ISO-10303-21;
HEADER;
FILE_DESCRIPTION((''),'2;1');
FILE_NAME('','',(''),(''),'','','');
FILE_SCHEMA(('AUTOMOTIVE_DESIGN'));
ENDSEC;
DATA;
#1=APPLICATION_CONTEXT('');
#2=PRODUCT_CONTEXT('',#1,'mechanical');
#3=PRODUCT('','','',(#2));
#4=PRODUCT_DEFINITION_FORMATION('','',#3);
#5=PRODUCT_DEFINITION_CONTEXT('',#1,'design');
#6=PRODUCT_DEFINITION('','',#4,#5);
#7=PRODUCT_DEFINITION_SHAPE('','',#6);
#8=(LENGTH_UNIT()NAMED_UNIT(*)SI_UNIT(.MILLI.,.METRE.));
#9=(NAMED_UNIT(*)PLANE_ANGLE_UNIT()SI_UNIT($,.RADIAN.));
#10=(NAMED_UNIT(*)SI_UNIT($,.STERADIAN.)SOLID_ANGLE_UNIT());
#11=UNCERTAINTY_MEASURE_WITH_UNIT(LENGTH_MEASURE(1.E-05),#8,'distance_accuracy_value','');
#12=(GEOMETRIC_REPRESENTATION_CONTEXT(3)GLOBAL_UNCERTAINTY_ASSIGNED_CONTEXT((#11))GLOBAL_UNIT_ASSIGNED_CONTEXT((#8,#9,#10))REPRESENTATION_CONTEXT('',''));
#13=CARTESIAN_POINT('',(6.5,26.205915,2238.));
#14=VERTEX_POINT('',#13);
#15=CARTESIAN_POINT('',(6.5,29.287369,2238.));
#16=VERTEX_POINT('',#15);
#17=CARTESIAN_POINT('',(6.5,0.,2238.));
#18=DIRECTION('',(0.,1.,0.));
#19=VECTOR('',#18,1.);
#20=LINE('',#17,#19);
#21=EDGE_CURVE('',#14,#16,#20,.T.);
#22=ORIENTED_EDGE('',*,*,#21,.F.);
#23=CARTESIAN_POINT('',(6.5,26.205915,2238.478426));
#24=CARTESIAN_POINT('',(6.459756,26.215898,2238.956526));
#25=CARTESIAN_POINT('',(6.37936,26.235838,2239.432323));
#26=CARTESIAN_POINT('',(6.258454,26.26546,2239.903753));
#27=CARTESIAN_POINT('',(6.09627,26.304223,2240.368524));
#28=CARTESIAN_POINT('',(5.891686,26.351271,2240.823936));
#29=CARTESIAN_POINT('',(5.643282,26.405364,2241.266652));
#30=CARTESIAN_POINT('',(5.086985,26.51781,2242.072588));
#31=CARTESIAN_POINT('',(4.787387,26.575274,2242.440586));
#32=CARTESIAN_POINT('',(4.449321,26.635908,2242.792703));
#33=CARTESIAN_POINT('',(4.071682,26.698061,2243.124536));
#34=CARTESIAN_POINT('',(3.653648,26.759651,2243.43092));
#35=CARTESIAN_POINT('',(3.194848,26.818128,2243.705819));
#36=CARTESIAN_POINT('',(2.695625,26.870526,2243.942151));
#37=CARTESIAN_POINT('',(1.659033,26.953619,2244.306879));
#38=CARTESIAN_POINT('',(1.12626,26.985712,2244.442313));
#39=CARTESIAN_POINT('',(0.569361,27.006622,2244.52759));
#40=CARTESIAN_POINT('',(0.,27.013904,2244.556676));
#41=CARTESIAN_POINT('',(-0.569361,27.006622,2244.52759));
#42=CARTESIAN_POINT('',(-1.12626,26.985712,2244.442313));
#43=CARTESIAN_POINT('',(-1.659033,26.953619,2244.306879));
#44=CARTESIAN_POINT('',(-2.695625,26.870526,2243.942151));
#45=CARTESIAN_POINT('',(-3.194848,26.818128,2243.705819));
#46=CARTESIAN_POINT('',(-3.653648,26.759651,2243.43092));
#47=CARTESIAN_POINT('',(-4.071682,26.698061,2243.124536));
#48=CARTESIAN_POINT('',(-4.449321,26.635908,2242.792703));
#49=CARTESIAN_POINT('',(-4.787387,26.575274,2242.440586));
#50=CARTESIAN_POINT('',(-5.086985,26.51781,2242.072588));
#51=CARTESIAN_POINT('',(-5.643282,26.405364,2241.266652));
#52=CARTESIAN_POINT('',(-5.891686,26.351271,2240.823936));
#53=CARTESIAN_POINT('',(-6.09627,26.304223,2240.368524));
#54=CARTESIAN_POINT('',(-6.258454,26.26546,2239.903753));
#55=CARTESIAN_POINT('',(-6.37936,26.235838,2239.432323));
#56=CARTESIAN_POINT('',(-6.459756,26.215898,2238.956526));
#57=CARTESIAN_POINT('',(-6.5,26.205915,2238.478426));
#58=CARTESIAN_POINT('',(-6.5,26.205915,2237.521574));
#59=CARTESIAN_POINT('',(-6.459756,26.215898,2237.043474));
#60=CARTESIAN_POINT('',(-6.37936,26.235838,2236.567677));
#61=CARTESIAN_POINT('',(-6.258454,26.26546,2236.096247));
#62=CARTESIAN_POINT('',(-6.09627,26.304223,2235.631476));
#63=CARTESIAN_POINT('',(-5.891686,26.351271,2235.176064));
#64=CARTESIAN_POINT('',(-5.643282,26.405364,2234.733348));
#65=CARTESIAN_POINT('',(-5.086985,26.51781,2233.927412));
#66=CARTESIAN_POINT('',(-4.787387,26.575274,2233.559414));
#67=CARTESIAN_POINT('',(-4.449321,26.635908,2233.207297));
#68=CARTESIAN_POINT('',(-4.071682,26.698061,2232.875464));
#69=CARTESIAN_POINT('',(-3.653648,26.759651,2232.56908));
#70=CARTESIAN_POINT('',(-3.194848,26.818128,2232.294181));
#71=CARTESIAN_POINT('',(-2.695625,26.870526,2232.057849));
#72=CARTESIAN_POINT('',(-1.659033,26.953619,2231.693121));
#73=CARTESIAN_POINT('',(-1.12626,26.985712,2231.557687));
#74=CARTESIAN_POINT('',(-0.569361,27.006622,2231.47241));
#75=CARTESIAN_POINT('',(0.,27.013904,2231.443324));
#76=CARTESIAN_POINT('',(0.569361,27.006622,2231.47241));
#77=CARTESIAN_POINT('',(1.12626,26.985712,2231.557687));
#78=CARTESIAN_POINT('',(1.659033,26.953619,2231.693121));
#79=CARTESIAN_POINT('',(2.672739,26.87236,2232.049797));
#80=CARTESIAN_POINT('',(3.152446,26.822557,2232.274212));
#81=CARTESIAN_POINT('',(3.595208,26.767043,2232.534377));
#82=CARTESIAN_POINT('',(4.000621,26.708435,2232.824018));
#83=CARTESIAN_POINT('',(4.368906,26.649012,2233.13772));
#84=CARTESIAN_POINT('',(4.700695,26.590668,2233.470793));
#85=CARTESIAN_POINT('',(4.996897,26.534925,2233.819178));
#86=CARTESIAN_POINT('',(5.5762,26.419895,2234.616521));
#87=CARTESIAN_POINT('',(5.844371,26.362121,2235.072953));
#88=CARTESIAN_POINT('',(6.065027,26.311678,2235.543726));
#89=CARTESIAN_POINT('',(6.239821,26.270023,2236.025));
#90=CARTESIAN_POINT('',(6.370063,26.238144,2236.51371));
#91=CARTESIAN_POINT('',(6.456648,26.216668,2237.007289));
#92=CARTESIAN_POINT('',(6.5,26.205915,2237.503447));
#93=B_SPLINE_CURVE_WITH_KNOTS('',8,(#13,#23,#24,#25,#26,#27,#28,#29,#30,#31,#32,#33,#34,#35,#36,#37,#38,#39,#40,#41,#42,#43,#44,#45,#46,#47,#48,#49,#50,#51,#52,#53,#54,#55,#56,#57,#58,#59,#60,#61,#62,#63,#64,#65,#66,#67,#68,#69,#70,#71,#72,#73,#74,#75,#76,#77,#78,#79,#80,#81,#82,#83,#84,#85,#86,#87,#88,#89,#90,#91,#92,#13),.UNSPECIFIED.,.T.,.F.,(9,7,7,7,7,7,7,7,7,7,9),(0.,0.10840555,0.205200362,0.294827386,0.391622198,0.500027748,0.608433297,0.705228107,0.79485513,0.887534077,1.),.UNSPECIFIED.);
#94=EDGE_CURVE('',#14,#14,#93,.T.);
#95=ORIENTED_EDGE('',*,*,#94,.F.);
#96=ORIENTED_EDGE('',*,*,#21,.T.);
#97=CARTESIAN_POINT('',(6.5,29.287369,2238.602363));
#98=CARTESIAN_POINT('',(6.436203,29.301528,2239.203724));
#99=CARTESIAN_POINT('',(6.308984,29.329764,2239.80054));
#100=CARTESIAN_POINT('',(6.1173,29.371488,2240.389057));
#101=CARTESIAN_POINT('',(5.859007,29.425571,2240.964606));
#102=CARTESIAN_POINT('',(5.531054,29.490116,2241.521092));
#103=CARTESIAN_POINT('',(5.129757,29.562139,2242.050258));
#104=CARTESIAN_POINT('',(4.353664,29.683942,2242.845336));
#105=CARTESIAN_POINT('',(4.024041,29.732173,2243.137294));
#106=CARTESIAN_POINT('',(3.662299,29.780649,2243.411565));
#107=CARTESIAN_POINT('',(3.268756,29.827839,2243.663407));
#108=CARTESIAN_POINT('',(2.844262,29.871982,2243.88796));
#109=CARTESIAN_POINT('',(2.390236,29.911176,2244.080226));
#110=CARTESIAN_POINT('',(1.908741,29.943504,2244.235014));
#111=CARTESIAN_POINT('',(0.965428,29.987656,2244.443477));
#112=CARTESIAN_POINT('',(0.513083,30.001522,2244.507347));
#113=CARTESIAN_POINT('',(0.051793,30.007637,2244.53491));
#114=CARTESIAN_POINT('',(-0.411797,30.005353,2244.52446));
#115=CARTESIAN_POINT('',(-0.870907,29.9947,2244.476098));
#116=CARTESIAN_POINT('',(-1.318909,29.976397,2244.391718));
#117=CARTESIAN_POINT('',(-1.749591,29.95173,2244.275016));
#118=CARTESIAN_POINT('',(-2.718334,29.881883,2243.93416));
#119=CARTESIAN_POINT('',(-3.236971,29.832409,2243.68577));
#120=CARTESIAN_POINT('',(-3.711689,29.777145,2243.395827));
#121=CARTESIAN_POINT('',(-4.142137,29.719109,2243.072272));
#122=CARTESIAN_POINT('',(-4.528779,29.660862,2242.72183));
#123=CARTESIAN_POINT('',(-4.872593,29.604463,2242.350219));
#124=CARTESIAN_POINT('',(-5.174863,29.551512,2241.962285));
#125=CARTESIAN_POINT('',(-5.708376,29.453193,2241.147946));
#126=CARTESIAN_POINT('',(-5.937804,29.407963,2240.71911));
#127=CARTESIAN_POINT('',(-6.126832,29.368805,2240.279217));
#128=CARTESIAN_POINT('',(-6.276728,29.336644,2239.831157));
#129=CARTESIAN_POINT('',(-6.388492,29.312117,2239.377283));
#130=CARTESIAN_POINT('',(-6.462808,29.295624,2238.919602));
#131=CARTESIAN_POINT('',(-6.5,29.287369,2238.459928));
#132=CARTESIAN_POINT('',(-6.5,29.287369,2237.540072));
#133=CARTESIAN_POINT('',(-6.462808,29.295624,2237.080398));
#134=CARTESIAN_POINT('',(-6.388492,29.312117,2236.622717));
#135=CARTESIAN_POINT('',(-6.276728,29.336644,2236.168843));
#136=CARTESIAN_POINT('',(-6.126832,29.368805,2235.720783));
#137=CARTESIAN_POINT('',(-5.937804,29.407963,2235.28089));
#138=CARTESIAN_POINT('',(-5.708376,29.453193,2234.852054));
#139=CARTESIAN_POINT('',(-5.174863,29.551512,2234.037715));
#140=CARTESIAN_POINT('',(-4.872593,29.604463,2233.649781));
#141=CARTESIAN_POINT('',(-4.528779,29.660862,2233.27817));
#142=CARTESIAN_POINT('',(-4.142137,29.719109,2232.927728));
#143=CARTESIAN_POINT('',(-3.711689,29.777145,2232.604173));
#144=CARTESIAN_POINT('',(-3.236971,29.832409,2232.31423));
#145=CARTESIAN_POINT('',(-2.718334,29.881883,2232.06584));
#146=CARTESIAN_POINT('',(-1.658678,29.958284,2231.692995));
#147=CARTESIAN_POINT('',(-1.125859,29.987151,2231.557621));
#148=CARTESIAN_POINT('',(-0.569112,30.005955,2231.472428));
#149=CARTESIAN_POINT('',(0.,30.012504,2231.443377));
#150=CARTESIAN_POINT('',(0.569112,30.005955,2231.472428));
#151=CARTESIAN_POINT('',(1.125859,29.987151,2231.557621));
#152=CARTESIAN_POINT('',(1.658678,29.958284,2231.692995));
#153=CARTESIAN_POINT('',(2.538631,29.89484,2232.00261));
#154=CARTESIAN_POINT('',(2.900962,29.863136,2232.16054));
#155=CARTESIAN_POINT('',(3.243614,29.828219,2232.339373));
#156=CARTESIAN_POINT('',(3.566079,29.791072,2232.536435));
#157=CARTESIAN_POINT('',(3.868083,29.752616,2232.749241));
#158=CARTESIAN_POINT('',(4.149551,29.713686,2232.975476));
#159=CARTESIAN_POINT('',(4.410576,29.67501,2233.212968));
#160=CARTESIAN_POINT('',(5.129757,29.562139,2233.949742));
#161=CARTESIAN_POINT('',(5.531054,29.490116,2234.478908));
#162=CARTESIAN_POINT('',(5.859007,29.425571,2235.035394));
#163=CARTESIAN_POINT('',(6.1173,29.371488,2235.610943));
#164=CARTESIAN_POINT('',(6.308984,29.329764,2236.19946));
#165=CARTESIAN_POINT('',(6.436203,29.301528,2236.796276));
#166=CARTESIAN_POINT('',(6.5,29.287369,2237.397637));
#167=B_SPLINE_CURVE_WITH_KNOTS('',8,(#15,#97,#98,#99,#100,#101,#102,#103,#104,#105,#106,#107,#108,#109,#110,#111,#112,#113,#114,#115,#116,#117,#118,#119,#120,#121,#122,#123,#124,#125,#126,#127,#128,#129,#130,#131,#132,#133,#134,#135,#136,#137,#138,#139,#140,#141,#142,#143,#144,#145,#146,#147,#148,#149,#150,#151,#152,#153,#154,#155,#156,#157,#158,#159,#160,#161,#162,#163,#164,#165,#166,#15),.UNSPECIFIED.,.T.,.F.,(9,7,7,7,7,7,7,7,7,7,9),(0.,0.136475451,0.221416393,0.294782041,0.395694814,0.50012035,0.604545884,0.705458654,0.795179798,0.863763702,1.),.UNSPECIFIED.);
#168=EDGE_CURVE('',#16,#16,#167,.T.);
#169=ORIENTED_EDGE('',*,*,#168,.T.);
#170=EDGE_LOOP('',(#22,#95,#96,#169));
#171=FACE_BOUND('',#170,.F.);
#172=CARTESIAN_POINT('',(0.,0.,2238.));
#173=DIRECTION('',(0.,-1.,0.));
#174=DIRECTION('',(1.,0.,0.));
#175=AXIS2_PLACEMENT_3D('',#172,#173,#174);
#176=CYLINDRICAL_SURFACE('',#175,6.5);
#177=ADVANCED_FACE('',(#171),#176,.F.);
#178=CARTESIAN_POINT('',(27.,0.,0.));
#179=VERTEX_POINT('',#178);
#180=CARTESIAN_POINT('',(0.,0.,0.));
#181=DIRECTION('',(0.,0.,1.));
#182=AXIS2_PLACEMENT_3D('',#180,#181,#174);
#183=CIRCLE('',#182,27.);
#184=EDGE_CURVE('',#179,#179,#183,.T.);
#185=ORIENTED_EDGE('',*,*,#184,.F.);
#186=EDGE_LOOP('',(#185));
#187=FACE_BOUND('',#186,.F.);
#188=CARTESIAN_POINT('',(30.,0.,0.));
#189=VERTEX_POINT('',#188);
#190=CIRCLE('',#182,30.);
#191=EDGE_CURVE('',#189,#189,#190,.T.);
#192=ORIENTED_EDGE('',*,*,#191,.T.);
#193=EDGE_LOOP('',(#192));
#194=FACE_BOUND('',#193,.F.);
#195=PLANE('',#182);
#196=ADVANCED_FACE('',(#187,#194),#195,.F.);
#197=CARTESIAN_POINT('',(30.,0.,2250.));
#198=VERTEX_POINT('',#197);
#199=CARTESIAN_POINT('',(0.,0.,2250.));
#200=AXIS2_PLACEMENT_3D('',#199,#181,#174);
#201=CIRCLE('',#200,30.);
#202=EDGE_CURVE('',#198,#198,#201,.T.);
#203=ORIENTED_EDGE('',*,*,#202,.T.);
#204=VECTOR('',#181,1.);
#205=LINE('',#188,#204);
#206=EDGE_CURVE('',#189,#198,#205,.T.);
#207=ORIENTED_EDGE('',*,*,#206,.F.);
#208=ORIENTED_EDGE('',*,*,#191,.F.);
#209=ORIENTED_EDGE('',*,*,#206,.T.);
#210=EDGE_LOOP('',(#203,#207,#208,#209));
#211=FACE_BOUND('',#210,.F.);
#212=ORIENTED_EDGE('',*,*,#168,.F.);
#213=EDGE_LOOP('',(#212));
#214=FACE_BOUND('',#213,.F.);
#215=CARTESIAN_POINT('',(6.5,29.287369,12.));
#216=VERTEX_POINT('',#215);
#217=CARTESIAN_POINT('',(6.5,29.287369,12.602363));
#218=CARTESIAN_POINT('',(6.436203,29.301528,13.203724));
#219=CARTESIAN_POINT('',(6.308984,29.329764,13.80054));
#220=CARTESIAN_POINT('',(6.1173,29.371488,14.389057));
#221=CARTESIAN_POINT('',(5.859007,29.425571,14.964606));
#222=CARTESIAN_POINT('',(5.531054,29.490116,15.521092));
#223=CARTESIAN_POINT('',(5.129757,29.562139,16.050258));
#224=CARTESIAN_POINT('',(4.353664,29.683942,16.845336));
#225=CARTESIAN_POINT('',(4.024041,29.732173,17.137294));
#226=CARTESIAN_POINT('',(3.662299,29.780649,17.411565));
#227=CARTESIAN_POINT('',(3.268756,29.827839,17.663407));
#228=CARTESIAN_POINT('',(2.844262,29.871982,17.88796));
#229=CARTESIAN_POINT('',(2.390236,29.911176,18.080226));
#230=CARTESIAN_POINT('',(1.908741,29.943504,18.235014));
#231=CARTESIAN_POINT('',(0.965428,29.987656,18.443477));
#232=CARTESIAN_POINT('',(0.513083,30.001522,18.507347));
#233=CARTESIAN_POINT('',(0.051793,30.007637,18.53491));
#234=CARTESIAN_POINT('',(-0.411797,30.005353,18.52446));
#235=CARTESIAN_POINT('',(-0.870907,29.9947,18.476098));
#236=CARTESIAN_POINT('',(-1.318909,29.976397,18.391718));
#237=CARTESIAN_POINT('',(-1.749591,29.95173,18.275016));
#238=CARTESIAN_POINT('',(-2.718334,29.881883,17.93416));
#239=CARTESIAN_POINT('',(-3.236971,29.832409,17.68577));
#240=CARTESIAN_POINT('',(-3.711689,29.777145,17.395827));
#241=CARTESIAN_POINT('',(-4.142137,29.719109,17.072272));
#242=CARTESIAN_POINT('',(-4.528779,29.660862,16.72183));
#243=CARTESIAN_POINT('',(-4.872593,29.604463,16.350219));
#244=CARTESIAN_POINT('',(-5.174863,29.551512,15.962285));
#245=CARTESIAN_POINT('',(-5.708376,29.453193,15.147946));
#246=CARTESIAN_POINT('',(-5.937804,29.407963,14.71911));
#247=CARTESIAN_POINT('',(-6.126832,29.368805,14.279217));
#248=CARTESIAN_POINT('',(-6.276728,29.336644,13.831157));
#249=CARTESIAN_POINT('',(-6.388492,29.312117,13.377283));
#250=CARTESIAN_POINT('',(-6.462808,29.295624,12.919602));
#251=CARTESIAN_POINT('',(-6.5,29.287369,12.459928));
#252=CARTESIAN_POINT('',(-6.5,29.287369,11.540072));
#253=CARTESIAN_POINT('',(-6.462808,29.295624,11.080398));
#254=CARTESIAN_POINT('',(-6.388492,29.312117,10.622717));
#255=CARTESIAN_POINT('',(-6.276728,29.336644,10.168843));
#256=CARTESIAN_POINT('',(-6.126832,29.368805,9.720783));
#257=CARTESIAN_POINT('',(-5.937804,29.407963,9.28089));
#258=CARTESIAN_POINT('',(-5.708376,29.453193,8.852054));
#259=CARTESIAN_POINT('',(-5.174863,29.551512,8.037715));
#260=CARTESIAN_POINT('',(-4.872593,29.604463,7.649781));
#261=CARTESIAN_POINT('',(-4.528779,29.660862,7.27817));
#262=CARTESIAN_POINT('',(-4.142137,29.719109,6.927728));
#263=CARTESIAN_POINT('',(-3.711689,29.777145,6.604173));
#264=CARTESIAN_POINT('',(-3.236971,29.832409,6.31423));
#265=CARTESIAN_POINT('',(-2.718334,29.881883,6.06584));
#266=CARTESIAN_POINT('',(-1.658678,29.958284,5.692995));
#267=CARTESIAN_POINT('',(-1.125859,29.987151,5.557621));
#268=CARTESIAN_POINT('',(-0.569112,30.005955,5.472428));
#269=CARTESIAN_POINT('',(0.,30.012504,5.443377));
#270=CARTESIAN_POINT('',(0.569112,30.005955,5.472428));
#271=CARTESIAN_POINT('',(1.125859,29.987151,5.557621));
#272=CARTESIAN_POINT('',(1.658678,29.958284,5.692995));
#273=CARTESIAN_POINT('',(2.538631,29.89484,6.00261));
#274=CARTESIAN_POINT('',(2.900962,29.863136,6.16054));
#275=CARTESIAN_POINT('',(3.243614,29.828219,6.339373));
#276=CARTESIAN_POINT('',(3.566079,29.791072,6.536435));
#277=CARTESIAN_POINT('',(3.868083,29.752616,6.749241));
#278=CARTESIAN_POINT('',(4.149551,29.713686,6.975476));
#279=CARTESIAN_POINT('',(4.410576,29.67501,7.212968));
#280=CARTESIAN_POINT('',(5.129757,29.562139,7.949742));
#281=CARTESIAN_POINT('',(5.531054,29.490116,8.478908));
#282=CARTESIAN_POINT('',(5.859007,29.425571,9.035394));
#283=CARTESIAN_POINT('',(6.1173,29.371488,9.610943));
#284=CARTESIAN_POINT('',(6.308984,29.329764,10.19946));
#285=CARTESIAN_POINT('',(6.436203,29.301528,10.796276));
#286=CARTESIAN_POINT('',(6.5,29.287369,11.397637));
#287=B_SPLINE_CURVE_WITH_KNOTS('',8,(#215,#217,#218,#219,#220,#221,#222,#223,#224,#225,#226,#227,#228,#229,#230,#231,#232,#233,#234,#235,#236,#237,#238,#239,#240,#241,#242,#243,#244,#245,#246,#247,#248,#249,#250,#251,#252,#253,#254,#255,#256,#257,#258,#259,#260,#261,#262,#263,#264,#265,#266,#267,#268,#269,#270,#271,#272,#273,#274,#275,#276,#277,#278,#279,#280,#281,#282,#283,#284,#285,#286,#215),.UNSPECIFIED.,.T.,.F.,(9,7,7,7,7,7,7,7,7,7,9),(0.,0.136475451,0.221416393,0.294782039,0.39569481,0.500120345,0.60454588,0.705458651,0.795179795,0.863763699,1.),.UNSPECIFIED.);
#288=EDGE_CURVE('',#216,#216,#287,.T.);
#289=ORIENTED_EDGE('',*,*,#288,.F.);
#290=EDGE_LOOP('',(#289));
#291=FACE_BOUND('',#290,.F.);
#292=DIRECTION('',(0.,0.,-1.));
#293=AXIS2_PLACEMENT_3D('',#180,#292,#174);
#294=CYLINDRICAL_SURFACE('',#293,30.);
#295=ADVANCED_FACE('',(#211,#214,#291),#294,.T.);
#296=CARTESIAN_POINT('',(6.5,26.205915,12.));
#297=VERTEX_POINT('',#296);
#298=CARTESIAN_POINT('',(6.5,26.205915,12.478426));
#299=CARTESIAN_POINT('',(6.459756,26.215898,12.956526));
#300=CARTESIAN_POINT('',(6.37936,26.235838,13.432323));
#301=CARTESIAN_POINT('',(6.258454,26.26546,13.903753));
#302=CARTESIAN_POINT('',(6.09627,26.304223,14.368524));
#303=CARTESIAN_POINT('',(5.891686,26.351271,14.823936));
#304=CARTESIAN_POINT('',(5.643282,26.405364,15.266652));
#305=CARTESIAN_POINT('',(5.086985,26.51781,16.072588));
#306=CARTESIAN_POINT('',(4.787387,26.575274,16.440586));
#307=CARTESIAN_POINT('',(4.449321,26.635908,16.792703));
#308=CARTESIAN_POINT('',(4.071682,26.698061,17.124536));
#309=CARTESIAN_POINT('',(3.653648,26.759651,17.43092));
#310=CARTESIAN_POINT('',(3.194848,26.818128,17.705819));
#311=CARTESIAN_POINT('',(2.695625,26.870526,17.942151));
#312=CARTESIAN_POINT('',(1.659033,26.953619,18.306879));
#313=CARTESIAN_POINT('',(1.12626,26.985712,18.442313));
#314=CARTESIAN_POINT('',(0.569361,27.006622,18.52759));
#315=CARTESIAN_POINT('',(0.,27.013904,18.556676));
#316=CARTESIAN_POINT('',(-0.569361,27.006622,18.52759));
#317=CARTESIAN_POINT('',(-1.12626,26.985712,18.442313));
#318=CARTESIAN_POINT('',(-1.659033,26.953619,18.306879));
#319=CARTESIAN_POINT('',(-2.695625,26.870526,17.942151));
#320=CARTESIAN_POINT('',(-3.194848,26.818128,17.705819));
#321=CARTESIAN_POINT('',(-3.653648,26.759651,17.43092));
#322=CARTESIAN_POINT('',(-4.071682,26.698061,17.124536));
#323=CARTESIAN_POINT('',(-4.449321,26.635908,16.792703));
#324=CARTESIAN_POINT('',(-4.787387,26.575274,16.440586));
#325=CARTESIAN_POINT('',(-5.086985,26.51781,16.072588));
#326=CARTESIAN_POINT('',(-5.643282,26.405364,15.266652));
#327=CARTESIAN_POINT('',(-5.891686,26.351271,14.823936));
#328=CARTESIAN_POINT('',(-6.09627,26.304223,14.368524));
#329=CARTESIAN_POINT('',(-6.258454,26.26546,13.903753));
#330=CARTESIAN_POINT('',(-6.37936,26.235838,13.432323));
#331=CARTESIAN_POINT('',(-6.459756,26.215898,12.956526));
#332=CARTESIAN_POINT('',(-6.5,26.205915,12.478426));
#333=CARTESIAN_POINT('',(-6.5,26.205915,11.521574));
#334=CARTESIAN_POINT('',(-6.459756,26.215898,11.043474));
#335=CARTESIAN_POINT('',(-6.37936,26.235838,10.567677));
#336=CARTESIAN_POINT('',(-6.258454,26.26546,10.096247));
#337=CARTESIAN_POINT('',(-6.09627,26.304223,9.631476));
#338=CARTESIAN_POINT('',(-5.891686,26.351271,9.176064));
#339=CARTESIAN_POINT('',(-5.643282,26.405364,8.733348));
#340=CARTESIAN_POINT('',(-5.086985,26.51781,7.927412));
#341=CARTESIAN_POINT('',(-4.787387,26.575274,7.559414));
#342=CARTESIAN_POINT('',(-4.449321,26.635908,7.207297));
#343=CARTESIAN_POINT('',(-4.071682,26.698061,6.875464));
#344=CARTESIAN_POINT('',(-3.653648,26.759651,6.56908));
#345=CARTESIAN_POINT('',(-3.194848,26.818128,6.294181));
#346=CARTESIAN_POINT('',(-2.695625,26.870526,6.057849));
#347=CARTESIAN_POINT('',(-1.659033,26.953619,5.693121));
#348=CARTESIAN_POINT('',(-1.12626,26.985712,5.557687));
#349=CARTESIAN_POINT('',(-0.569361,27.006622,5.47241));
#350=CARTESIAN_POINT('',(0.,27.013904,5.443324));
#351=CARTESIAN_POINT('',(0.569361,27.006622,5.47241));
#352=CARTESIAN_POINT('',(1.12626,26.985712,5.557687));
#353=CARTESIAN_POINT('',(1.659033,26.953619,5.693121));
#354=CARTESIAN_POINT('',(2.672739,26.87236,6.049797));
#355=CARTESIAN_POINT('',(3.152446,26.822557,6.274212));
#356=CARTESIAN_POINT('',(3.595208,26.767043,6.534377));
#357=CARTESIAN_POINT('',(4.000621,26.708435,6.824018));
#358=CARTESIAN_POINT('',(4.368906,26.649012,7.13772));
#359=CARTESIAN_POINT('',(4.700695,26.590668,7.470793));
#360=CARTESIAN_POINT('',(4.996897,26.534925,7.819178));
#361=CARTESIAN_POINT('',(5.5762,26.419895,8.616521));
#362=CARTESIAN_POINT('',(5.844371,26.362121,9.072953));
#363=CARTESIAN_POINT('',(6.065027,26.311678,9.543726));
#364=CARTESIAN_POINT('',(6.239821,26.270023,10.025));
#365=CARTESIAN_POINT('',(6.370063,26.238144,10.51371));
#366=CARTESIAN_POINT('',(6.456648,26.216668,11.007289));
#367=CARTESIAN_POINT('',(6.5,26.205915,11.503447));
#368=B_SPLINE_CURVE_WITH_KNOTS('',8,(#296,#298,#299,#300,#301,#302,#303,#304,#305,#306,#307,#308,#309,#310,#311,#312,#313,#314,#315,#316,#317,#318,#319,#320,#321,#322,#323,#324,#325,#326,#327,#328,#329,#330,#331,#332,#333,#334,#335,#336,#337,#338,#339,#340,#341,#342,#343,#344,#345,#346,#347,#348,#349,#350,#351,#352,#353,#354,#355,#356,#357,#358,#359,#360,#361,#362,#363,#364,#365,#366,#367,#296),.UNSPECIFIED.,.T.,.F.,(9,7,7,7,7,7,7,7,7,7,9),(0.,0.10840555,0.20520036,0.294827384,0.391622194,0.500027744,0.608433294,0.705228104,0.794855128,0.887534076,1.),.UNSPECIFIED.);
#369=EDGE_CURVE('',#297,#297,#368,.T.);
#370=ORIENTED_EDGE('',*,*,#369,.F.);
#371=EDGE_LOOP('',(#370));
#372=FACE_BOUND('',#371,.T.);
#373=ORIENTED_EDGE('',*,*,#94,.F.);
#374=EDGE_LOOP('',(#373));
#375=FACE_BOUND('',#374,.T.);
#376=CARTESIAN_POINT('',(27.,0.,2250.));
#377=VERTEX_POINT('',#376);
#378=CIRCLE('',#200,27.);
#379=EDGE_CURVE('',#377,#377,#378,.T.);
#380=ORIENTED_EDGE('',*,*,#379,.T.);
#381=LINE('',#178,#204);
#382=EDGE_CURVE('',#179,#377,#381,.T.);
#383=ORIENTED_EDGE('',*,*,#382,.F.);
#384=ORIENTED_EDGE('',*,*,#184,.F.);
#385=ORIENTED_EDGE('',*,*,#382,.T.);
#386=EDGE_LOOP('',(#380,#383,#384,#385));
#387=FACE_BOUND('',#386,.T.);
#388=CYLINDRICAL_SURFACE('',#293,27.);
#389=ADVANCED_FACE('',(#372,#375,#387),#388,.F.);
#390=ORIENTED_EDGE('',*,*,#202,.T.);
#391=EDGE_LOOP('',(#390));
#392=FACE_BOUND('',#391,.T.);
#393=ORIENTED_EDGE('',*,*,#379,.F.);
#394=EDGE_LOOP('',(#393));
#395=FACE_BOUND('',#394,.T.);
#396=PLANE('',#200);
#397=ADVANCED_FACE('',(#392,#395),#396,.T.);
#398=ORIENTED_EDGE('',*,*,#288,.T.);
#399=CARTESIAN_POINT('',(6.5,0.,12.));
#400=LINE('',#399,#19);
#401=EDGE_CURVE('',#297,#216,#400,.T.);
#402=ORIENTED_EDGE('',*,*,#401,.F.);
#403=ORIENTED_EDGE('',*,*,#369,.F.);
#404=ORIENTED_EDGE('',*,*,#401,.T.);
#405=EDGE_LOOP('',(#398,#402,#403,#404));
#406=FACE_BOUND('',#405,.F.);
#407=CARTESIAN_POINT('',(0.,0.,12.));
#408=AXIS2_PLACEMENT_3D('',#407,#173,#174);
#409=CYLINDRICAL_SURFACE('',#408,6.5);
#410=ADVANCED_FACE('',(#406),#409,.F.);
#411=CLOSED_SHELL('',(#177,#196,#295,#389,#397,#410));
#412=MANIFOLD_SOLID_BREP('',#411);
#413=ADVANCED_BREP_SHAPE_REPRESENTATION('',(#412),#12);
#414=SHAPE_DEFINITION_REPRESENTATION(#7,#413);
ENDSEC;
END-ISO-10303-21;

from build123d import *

# Parameters (mm, degrees)
F0_R     = 30
F0_R_2   = 27
F1_DEPTH = 2250
F2_R     = 6.5
F3_DEPTH = 60


with BuildPart() as f1:
    # F0 (on Top) → F1 (new body)
    with BuildSketch(Plane.XY):
        Circle(F0_R)
        Circle(F0_R_2, mode=Mode.SUBTRACT)
    extrude(amount=F1_DEPTH)

    # F2 (on Front) → F3 (cut)
    with BuildSketch(Plane.XZ):
        with Locations((0, 12)):
            Circle(F2_R)
        with Locations((0, 2238)):
            Circle(F2_R)
    extrude(amount=-F3_DEPTH, mode=Mode.SUBTRACT)


solid = f1.part
